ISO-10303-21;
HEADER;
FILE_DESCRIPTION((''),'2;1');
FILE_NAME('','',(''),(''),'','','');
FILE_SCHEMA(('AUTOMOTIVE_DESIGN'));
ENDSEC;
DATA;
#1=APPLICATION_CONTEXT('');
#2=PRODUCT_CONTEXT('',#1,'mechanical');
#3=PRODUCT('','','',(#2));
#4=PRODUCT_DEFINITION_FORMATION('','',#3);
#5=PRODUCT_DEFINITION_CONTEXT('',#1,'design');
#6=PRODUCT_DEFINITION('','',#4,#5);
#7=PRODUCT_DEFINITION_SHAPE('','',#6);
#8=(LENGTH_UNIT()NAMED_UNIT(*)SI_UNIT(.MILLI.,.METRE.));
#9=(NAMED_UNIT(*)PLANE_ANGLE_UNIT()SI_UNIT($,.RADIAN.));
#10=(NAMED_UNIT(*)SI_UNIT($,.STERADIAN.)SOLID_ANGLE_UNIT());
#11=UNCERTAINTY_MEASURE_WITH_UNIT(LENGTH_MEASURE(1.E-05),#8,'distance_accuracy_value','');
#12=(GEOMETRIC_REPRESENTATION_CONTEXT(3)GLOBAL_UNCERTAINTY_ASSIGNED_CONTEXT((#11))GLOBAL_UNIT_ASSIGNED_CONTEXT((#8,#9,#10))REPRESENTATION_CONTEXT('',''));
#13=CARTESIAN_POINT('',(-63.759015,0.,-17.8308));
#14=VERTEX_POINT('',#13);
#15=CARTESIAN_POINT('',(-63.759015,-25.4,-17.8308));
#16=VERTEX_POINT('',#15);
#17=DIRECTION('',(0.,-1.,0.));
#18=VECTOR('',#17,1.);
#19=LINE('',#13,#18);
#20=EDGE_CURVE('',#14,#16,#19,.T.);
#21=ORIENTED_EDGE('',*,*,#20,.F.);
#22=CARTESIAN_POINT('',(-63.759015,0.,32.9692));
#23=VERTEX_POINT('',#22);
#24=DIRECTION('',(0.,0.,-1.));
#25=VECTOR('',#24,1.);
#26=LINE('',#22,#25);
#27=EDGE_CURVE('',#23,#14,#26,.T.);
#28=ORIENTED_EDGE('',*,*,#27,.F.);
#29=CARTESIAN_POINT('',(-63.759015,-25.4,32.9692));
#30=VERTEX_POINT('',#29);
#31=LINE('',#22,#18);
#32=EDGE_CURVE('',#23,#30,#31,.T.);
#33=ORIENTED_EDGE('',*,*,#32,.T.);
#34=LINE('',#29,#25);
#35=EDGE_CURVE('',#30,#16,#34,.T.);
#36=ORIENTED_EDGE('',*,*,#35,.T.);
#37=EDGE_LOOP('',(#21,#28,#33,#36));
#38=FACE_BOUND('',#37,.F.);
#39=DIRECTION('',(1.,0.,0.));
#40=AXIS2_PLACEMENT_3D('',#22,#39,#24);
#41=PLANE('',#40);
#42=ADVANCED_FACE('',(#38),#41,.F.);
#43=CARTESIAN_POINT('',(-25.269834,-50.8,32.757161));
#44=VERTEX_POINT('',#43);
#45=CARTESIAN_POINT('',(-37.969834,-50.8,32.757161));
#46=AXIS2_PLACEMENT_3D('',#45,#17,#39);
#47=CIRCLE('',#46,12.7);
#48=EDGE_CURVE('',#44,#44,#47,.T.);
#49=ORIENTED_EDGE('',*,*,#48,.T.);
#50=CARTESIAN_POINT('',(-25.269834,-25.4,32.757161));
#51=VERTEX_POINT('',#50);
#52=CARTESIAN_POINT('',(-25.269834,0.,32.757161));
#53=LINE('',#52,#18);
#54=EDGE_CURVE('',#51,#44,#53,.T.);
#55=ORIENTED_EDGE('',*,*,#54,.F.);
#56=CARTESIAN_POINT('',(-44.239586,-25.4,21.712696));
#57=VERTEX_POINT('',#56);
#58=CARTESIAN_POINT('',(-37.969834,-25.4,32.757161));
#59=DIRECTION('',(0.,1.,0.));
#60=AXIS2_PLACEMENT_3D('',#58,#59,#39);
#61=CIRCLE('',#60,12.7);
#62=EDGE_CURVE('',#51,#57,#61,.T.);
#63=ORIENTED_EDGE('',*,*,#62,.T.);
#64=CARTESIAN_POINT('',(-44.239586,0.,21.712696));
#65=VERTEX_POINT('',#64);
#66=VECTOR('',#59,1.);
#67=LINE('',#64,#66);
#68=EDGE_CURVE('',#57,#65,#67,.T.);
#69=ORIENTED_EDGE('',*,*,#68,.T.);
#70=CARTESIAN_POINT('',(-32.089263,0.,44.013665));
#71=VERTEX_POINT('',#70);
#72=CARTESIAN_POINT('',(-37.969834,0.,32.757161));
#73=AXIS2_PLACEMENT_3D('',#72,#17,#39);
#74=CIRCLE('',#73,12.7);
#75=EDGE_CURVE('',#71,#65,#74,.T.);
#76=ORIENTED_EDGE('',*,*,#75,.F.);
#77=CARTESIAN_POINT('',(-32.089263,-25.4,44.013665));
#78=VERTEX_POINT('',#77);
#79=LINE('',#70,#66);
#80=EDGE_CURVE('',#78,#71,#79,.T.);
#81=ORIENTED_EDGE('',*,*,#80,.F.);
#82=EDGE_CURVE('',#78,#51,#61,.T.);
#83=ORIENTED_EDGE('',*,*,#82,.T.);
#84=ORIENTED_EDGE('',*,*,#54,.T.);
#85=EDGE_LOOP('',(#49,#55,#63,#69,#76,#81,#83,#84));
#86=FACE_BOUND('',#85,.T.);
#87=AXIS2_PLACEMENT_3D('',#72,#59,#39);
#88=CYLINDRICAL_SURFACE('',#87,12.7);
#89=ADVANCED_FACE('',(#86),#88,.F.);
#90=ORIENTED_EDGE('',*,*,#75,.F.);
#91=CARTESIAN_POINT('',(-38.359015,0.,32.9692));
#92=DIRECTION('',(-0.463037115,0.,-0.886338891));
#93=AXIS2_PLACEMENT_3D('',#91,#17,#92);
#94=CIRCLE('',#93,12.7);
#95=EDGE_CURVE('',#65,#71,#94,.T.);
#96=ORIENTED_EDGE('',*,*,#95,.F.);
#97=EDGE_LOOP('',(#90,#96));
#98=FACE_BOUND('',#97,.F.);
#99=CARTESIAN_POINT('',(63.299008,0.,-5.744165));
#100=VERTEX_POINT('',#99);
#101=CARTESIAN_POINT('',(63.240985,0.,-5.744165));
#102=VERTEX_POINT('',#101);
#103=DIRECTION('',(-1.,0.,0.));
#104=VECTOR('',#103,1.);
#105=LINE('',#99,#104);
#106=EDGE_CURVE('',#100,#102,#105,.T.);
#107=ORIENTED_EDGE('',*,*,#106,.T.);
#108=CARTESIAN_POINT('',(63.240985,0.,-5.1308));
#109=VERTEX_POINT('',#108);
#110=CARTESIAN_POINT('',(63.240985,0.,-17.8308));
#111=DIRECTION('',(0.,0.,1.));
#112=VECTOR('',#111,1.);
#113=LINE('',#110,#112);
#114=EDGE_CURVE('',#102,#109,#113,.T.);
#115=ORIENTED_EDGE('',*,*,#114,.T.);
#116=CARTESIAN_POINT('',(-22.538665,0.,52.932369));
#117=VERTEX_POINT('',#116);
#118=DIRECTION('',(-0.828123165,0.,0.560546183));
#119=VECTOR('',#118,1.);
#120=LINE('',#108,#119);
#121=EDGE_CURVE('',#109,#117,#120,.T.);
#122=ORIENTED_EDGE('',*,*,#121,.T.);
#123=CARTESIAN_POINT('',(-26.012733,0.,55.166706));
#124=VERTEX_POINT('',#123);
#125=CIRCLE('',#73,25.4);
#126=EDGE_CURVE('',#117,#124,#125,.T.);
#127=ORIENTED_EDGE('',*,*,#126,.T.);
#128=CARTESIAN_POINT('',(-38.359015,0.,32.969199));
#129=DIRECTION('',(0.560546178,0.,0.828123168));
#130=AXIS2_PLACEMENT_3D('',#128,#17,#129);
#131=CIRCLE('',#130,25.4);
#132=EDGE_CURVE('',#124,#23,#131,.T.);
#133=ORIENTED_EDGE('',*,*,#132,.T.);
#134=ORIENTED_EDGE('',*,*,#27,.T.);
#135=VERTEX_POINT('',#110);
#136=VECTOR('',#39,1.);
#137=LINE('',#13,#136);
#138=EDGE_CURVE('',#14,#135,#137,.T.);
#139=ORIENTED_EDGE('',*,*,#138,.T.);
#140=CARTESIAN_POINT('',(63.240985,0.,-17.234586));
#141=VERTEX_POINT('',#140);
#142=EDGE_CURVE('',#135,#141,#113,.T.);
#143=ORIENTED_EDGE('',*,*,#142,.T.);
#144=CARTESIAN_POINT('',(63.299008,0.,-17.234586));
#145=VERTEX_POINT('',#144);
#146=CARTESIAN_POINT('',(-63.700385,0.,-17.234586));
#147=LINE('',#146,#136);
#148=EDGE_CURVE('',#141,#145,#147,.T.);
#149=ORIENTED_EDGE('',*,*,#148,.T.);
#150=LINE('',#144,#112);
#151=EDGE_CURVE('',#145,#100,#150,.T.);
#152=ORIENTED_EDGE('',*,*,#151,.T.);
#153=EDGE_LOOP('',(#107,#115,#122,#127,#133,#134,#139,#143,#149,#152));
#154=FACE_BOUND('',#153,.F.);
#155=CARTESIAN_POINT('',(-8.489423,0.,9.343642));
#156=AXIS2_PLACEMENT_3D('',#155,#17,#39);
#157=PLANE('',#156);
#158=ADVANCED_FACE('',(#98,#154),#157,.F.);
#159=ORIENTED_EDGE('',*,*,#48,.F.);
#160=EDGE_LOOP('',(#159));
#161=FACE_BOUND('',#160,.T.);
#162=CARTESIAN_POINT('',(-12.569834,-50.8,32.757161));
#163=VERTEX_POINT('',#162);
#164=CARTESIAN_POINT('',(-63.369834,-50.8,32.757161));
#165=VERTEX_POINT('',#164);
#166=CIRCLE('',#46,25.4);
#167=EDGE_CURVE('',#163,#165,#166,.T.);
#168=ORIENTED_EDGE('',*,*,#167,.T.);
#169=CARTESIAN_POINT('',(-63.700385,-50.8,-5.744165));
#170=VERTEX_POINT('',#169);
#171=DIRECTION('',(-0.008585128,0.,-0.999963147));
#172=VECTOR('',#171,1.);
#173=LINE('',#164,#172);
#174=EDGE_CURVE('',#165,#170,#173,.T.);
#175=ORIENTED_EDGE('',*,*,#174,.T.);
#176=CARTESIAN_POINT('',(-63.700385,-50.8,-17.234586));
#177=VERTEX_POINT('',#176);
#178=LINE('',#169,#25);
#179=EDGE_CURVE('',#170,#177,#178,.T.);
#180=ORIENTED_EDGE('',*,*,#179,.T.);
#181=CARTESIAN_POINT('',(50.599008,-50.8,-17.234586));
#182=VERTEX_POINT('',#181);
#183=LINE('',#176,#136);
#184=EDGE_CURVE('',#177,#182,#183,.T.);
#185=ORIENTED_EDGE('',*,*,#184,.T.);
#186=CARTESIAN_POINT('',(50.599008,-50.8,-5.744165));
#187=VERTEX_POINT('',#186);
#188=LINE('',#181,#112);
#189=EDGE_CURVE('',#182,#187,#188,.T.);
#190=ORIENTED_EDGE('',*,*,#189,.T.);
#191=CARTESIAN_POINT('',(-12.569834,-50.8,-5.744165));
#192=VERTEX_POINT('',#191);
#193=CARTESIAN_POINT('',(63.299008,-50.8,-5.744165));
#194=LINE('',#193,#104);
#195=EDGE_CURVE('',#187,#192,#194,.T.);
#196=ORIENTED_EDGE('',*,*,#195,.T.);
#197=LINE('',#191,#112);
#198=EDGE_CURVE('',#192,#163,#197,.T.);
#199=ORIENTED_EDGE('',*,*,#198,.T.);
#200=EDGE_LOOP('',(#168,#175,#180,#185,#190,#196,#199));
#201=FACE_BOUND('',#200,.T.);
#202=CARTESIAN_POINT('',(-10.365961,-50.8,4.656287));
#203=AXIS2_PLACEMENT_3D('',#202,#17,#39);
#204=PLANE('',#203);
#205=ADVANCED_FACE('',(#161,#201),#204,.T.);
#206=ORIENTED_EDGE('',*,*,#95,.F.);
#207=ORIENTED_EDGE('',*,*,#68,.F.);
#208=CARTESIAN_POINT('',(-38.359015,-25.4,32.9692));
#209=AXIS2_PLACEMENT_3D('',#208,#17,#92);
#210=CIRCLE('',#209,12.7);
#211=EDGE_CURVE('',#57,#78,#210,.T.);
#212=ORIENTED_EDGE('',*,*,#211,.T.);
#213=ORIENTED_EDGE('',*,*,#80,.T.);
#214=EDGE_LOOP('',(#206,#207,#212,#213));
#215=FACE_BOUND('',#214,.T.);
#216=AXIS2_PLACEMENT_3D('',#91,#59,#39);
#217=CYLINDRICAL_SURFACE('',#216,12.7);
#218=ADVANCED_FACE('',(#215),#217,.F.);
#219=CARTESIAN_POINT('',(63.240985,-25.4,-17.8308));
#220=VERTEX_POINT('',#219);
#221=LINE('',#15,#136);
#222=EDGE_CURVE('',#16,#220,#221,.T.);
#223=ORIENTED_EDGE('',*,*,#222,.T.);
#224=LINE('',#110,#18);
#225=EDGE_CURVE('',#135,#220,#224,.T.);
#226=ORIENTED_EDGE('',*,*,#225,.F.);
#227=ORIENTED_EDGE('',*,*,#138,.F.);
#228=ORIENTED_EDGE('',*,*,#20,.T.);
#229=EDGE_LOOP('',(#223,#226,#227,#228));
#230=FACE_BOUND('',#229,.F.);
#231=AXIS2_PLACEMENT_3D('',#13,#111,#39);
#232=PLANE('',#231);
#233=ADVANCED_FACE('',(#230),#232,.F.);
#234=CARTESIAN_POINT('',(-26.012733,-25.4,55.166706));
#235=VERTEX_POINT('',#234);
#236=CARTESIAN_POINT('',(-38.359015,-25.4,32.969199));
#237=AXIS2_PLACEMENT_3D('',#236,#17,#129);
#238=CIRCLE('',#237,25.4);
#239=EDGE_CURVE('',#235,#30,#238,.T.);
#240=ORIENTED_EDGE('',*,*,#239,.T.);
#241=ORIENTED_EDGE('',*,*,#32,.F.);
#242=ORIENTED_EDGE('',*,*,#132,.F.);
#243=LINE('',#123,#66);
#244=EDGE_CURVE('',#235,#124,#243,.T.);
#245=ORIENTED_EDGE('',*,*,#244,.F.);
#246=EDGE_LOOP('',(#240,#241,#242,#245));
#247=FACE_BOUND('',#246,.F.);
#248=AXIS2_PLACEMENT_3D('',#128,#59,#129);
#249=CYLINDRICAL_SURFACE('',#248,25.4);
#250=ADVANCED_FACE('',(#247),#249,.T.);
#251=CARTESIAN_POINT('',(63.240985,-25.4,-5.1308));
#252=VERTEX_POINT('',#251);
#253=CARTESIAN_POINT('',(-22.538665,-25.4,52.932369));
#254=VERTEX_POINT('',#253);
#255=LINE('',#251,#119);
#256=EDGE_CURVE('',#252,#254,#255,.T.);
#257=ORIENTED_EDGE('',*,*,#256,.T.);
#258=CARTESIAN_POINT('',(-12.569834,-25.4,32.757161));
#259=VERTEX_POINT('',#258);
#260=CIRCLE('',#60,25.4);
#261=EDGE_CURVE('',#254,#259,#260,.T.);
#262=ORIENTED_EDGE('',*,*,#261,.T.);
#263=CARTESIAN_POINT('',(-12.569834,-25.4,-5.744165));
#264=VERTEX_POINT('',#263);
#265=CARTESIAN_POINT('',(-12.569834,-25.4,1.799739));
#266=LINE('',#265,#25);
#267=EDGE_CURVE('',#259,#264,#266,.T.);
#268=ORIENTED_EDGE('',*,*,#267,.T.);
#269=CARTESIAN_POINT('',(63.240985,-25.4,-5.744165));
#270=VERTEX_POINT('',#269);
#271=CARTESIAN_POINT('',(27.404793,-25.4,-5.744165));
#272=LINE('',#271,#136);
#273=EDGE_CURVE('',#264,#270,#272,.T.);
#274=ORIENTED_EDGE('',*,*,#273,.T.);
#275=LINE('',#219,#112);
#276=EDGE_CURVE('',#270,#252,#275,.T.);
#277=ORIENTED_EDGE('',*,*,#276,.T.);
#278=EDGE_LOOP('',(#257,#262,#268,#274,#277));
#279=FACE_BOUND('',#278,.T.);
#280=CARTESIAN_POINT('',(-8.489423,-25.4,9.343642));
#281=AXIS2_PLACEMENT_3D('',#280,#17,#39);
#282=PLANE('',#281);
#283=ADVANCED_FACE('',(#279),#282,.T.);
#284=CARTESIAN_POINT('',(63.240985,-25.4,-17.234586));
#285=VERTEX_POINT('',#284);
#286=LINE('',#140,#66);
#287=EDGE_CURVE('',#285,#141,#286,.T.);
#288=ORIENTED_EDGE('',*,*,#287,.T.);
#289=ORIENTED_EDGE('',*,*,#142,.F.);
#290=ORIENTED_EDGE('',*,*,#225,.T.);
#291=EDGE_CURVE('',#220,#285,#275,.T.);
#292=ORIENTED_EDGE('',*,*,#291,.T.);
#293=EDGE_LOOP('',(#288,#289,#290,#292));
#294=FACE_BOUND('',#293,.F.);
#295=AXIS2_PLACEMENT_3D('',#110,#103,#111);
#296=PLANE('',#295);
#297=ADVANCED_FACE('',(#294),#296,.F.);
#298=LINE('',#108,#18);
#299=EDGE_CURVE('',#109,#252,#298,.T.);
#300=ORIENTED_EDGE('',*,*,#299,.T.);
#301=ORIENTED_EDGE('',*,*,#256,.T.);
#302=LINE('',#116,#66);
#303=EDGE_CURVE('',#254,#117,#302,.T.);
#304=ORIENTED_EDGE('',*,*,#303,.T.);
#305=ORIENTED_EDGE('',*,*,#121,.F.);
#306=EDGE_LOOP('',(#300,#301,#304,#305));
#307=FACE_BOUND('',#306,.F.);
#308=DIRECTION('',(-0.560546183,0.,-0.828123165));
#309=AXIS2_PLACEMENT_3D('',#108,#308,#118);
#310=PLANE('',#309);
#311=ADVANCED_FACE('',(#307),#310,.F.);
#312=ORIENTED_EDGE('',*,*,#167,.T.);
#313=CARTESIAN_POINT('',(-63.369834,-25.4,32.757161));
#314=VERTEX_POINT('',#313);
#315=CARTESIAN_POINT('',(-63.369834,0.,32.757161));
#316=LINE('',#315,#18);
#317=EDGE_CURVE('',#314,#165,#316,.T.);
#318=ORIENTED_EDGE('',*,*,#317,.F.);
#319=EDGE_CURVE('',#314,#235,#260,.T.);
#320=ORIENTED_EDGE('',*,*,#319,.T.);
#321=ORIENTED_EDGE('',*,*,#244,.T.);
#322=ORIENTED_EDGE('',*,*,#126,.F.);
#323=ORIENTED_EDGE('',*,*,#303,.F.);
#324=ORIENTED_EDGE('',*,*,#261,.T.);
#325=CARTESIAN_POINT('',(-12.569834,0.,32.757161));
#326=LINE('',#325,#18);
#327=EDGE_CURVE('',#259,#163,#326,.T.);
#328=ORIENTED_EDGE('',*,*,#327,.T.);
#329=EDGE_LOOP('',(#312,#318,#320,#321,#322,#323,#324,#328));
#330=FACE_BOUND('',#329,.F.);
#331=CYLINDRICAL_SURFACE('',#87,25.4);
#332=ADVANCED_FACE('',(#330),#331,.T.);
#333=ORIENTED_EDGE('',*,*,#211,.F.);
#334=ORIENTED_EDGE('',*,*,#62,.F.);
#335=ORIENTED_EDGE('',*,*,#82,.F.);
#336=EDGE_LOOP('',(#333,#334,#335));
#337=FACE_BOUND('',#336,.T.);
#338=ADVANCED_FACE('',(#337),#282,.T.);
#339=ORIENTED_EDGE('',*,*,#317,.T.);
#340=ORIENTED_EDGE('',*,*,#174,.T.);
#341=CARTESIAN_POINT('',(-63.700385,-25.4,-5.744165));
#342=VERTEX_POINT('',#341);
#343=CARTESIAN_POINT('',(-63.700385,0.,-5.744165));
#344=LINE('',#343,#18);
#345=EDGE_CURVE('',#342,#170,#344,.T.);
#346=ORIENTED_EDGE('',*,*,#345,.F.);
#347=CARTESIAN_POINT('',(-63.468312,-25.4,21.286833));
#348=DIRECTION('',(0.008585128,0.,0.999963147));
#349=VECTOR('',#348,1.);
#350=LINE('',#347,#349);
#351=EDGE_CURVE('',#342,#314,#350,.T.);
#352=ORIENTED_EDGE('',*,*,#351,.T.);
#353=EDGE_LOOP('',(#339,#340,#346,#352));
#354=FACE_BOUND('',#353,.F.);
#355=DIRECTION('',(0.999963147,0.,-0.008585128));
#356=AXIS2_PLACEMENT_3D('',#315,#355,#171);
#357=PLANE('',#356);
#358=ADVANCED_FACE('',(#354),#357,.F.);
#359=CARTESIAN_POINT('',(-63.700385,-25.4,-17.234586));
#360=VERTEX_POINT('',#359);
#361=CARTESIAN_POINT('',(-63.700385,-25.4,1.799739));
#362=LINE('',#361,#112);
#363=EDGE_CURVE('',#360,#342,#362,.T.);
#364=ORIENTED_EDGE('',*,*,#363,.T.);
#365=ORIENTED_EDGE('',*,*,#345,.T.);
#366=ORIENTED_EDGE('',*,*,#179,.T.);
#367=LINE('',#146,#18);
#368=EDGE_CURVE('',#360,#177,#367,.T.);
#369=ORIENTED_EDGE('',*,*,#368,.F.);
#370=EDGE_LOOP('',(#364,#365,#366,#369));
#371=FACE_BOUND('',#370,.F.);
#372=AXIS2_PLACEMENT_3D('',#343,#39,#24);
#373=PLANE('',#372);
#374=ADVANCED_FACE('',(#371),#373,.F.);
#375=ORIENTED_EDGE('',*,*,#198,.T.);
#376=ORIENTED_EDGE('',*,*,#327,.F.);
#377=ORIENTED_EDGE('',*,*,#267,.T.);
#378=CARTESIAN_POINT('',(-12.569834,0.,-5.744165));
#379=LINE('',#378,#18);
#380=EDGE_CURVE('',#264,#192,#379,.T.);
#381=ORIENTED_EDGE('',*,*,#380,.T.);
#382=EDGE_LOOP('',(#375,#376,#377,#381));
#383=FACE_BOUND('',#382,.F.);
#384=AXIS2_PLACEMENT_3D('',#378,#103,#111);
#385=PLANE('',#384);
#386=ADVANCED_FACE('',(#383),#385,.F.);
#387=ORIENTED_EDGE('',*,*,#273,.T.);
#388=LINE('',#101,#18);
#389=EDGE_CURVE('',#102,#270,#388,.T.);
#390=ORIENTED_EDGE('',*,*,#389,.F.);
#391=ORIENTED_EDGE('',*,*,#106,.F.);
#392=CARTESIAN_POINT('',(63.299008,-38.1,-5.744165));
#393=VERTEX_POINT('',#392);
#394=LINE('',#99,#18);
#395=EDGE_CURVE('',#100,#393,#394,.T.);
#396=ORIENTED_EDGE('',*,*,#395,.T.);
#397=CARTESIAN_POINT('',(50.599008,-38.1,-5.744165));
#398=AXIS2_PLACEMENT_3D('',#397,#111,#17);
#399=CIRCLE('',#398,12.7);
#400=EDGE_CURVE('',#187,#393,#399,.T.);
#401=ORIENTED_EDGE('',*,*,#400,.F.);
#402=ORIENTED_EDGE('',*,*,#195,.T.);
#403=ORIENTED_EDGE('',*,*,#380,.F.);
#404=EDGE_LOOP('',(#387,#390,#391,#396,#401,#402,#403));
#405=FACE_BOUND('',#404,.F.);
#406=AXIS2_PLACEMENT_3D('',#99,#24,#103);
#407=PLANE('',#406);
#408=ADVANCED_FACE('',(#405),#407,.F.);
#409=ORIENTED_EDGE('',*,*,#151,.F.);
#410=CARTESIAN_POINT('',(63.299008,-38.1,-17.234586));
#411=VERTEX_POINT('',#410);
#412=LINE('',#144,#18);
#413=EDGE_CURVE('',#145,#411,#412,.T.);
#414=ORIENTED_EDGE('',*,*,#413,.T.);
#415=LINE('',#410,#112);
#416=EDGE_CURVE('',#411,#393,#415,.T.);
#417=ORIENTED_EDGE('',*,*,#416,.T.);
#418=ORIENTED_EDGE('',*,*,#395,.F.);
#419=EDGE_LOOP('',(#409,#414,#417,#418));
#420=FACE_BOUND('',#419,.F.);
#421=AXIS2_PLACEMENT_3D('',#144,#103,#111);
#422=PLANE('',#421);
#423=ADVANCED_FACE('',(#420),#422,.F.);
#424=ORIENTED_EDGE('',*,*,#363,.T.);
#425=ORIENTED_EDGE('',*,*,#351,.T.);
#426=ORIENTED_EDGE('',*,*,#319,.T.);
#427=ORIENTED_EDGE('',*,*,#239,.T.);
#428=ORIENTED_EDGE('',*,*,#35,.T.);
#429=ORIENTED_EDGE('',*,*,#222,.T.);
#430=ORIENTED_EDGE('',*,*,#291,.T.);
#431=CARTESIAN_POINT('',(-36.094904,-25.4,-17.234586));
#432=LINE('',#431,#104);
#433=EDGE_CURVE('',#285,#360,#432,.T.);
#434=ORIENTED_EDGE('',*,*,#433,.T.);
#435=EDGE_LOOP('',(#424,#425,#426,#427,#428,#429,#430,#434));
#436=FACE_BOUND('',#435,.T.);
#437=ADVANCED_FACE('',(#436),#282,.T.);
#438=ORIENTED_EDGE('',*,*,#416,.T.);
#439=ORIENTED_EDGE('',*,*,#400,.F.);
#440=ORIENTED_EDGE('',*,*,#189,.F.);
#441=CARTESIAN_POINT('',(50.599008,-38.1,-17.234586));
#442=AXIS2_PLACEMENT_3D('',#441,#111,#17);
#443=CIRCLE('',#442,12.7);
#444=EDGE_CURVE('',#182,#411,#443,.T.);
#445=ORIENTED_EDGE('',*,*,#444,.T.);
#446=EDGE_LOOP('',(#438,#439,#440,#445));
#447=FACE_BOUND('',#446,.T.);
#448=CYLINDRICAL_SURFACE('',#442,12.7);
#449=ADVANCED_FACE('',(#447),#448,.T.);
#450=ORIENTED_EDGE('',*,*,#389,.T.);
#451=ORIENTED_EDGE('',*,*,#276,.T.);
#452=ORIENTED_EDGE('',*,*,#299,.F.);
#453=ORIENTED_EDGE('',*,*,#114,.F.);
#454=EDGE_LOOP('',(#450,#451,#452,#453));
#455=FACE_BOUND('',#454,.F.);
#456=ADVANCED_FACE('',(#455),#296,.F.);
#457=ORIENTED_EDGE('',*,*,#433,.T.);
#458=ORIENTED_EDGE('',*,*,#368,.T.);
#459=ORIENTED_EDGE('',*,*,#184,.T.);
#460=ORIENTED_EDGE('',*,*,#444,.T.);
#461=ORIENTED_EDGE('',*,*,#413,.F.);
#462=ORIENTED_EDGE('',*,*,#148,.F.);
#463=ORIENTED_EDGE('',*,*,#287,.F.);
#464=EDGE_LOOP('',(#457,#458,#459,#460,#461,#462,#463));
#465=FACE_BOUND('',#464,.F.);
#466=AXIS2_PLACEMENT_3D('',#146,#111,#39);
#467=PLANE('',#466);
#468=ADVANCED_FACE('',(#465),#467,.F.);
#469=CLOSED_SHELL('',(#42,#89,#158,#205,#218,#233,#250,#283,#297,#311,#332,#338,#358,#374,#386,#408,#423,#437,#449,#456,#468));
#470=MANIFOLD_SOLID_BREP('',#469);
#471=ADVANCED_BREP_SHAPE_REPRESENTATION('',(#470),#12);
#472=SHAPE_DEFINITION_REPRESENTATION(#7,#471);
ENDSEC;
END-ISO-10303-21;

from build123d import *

# Parameters (mm, degrees)
F0_R     = 12.7
F1_DEPTH = 25.4
F2_R     = 12.7
F3_DEPTH = 50.8
F4_R     = 12.7


with BuildPart() as f1:
    # F0 (on Front) → F1 (new body)
    with BuildSketch(Plane.XZ):
        with BuildLine():
            Line((63.240985, -5.1308), (-24.121142, 54.003528))
            ThreePointArc((-24.121142, 54.003528), (-50.265274, 55.405799), (-63.759015, 32.9692))
            Line((-63.759015, 32.9692), (-63.759015, -17.8308))
            Line((-63.759015, -17.8308), (63.240985, -17.8308))
            Line((63.240985, -17.8308), (63.240985, -5.1308))
        make_face()
        with Locations((-38.359015, 32.9692)):
            Circle(F0_R, mode=Mode.SUBTRACT)
    extrude(amount=F1_DEPTH)

    # F2 (on Front) → F3 (join)
    with BuildSketch(Plane.XZ):
        with BuildLine():
            Line((-12.569834, -5.744165), (-12.569834, 32.757161))
            ThreePointArc((-12.569834, 32.757161), (-37.969834, 58.157161), (-63.369834, 32.757161))
            Line((-63.369834, 32.757161), (-63.700385, -5.744165))
            Line((-63.700385, -5.744165), (-63.700385, -17.234586))
            Line((-63.700385, -17.234586), (63.299008, -17.234586))
            Line((63.299008, -17.234586), (63.299008, -5.744165))
            Line((63.299008, -5.744165), (-12.569834, -5.744165))
        make_face()
        with Locations((-37.969834, 32.757161)):
            Circle(F2_R, mode=Mode.SUBTRACT)
    extrude(amount=F3_DEPTH)

    # F4
    f4_edges = [f1.edges().sort_by_distance(p)[0] for p in [
        (63.299008, -50.8, -11.489375),
    ]]
    fillet(f4_edges, radius=F4_R)


solid = f1.part
